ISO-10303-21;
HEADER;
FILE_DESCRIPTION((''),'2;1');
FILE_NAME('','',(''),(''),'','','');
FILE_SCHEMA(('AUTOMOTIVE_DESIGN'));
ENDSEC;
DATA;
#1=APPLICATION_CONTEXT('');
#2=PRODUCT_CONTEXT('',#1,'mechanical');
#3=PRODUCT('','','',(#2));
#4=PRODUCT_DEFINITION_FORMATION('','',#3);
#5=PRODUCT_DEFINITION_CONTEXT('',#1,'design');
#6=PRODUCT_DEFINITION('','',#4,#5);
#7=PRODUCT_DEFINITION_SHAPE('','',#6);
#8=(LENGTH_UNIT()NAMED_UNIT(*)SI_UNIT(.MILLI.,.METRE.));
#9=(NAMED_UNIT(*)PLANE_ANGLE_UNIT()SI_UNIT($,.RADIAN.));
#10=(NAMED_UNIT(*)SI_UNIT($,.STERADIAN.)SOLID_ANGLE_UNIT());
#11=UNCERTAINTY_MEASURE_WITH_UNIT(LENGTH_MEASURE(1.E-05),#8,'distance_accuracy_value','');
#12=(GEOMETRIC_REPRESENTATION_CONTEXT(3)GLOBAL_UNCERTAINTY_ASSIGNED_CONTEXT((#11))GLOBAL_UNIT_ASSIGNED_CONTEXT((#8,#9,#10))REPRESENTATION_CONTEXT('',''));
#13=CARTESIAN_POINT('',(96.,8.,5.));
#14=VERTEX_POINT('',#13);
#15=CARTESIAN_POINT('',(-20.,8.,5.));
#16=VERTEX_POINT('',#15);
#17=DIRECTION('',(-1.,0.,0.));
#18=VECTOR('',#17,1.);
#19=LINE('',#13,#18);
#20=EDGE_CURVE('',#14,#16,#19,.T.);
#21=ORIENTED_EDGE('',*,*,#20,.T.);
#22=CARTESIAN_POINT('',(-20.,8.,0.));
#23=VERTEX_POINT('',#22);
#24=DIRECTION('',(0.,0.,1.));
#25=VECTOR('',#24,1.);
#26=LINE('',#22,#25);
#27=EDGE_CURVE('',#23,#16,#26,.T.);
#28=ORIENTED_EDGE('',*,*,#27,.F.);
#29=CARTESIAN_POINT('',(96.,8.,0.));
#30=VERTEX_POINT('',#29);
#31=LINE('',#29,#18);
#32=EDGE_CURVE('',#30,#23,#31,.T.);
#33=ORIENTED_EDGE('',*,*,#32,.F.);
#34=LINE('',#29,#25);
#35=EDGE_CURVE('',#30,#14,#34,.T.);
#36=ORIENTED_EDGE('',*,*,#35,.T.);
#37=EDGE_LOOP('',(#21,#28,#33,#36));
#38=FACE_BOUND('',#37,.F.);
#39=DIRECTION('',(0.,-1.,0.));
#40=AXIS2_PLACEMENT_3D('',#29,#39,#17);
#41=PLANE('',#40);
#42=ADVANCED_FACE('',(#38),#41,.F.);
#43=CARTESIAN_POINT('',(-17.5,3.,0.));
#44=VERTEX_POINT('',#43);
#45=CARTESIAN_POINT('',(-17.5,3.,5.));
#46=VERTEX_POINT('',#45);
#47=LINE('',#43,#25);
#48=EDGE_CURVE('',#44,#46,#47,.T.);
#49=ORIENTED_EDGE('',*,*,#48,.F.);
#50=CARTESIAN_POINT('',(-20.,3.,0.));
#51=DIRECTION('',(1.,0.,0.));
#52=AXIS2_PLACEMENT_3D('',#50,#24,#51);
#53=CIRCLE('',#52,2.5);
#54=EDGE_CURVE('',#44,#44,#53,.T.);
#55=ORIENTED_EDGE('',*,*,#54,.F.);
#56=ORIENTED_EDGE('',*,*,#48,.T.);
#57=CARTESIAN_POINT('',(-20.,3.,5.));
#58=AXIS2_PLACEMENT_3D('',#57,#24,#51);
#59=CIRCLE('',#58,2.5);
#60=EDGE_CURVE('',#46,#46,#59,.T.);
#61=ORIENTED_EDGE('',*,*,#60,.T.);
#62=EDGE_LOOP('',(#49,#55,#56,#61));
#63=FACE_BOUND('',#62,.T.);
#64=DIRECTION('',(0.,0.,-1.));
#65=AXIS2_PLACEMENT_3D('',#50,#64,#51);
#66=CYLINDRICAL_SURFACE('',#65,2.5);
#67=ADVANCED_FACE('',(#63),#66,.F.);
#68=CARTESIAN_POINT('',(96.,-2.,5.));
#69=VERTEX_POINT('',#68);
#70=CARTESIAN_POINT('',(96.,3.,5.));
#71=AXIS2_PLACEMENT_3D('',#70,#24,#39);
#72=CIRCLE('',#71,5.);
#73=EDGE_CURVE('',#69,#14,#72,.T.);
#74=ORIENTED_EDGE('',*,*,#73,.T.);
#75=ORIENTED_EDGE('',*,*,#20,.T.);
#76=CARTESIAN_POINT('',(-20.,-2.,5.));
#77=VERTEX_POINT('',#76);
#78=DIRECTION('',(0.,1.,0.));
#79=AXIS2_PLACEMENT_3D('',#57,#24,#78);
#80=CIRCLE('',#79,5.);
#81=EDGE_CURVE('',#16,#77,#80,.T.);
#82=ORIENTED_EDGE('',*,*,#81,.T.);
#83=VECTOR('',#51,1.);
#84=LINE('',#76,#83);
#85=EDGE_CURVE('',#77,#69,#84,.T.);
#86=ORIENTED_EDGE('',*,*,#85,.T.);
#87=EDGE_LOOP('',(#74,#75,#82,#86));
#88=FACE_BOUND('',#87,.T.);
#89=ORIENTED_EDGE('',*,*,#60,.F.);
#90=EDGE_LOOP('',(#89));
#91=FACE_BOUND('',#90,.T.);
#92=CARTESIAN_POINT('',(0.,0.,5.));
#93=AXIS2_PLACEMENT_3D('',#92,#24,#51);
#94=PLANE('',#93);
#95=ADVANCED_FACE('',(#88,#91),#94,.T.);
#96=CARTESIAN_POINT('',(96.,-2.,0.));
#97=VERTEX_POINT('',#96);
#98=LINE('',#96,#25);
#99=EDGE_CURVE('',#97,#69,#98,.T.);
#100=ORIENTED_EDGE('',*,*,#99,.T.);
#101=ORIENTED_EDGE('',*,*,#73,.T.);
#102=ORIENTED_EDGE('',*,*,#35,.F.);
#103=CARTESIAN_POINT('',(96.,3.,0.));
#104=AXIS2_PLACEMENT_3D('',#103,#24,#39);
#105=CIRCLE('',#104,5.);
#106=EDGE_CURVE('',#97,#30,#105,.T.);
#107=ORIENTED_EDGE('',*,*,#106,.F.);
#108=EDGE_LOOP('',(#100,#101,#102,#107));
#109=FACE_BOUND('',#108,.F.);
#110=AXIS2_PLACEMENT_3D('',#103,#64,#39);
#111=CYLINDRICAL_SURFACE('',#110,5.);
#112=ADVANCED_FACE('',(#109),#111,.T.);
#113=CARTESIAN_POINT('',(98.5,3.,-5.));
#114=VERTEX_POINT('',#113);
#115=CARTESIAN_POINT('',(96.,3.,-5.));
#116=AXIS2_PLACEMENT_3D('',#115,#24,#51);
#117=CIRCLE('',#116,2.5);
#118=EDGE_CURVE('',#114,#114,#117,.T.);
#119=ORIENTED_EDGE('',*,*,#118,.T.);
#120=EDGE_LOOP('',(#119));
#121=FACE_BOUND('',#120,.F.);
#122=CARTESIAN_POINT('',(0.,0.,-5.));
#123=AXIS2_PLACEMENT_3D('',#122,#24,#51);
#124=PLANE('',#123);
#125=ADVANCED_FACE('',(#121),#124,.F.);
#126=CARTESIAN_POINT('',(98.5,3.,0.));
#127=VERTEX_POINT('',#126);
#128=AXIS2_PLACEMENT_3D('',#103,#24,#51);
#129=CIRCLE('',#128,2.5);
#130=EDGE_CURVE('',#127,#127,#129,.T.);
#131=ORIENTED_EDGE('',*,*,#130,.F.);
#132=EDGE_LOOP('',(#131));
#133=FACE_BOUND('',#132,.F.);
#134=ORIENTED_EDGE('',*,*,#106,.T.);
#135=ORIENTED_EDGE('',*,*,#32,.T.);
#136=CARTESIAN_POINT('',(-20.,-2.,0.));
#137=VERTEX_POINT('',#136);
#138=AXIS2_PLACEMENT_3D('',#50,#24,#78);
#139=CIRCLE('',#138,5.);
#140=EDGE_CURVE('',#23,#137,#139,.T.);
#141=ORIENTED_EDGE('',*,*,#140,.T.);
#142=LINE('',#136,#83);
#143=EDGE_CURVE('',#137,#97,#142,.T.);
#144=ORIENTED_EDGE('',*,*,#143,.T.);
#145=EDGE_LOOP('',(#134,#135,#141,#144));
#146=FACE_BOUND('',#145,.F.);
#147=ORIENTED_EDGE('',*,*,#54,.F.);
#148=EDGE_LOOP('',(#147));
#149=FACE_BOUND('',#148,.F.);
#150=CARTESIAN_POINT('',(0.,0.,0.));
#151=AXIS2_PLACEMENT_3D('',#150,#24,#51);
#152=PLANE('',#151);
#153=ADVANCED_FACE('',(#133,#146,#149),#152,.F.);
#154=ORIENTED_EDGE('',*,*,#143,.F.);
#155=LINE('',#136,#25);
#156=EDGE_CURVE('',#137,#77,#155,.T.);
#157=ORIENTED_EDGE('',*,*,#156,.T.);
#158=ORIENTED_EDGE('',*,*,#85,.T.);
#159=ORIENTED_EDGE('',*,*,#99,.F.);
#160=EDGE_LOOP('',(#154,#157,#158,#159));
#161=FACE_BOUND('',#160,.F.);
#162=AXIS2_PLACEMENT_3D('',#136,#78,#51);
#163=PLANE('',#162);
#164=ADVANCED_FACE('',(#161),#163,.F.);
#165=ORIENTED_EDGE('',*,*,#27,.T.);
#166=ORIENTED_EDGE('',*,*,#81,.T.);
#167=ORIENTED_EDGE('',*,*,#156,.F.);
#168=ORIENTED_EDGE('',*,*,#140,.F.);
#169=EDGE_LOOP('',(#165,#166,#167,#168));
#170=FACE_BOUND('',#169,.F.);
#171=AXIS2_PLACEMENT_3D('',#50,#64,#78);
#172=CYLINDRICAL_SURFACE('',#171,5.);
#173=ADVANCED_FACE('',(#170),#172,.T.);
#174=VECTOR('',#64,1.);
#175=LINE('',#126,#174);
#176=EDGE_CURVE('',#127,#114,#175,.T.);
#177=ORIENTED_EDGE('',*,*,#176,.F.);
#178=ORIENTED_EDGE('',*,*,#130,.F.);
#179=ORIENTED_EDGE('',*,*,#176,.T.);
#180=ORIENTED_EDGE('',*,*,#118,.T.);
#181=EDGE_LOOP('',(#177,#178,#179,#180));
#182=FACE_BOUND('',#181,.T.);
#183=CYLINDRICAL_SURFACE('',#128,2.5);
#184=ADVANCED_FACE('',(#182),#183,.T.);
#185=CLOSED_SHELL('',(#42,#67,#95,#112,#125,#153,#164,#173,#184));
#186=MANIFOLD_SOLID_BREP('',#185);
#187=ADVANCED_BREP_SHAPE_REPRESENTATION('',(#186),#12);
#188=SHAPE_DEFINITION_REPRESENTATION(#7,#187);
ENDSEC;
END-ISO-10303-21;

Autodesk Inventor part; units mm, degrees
ref_plane "YZ Plane" through (0, 0, 0) normal (1, 0, 0) x (0, 1, 0)
ref_plane "XZ Plane" through (0, 0, 0) normal (0, 1, 0) x (-1, 0, 0)
ref_plane "XY Plane" through (0, 0, 0) normal (0, 0, 1) x (1, 0, 0)
sketch "Sketch1" plane through (0, 0, 0) normal (0, 0, 1) x (1, 0, 0)
  line L0 (-20, 3) -> (96, 3) construction
  line L1 (-20, -2) -> (96, -2)
  line L2 (96, 8) -> (-20, 8)
  arc A0 (-20, 8) -> (-20, -2) centre (-20, 3) ccw
  arc A1 (96, -2) -> (96, 8) centre (96, 3) ccw
  circle A2 centre (-20, 3) radius 2.5
  circle A3 centre (96, 3) radius 2.5
  point P0 (0, 0)
  point P1 (38, 3)
  dimension "d0" = 10
  dimension "d1" = 5
  dimension "d2" = 116
extrude "Extrusion1" add sketch "Sketch1" along normal blind 5 contours A0 L2 A1 L1 | A3
extrude "Extrusion2" add sketch "Sketch1" against normal blind 5 contours A3
properties material "Copper, Alloy"
